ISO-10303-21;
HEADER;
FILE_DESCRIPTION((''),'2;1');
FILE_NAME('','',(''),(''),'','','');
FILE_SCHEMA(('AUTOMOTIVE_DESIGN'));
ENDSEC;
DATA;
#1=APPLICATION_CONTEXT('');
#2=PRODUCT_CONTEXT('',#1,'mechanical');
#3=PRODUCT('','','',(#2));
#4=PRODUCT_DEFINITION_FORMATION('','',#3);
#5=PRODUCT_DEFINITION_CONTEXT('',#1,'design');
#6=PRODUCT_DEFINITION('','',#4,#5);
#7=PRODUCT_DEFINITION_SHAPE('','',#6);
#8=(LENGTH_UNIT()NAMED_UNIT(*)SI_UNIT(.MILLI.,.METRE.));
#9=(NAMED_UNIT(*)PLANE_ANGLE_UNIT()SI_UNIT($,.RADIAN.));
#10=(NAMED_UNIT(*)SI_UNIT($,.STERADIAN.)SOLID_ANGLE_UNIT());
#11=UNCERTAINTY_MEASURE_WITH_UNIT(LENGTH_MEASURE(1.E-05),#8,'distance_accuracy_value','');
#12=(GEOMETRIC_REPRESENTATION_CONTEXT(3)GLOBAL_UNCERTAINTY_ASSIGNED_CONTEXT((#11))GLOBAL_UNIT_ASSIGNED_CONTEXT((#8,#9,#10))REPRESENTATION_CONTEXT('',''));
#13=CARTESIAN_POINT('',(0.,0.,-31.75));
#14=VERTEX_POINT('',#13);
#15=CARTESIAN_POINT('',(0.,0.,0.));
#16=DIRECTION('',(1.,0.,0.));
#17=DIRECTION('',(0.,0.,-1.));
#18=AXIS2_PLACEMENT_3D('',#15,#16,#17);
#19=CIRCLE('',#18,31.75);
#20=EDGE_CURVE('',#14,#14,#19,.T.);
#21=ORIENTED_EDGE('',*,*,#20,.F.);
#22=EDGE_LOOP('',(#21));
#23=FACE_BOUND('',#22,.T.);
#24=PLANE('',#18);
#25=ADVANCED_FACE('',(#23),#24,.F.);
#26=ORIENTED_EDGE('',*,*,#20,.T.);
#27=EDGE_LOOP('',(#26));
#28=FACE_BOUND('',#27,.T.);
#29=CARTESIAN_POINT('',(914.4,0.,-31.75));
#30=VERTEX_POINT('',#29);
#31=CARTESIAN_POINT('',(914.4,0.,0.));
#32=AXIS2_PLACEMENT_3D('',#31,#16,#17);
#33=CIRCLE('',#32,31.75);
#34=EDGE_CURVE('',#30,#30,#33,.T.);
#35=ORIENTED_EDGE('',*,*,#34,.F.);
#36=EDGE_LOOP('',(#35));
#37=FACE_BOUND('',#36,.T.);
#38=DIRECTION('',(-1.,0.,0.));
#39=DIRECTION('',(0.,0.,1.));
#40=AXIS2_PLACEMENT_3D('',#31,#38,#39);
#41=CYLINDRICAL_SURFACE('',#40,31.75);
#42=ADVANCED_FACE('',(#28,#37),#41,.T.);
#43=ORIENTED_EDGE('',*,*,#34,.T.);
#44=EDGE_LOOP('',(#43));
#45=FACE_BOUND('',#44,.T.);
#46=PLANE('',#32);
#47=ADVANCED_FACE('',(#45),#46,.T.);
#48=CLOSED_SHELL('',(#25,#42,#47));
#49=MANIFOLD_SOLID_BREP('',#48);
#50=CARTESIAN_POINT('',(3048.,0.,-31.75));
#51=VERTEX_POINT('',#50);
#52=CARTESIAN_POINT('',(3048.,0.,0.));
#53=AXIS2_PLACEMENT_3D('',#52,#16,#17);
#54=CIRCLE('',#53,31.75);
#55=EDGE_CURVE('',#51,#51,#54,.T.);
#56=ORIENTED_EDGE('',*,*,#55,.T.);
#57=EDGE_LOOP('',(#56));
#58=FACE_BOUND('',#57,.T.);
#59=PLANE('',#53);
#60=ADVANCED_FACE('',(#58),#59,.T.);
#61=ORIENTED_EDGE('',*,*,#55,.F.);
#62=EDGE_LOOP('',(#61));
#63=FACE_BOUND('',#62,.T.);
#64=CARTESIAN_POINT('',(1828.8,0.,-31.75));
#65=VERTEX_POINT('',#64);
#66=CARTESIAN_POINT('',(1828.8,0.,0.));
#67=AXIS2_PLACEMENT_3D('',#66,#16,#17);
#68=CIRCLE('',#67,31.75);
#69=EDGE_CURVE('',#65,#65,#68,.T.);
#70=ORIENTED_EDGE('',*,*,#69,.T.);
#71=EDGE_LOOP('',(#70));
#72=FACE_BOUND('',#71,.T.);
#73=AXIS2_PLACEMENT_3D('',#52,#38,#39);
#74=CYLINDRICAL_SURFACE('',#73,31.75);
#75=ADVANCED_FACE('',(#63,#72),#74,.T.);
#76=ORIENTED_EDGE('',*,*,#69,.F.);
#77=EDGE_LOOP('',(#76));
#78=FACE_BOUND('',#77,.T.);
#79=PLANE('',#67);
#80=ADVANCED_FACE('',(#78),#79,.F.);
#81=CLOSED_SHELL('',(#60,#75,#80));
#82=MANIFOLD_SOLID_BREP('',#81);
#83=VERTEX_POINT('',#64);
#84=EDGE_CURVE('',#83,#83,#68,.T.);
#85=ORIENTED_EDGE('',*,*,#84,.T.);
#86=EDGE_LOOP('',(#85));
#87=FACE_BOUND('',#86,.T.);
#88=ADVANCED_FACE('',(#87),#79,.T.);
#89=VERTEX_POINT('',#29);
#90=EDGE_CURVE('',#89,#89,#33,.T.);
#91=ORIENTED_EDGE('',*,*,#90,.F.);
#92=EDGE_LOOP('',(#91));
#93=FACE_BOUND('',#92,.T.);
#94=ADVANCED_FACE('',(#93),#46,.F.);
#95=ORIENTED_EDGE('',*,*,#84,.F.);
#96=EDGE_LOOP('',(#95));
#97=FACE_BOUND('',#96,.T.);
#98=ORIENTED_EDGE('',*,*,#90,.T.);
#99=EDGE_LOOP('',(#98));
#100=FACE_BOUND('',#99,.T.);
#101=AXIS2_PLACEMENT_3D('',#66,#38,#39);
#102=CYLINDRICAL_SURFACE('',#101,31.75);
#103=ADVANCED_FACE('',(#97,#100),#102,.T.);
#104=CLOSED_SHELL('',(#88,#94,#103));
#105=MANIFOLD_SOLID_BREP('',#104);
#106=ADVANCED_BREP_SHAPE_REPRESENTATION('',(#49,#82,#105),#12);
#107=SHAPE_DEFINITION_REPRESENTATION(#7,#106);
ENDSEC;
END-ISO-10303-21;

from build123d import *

# Parameters (mm, degrees)
SKETCH2_R           = 31.75
BOSS_EXTRUDE1_DEPTH = 914.4
BOSS_EXTRUDE2_START = 914.4
SKETCH2_2_R         = 31.75
BOSS_EXTRUDE2_DEPTH = 914.4
BOSS_EXTRUDE3_START = 1828.8
SKETCH2_3_R         = 31.75
BOSS_EXTRUDE3_DEPTH = 1219.2


with BuildPart() as part:
    # Sketch2 → Boss-Extrude1 (new body)
    with BuildSketch(Plane(origin=(0, 0, 0), x_dir=(0, 0, -1), z_dir=(1, 0, 0))):
        Circle(SKETCH2_R)
    extrude(amount=BOSS_EXTRUDE1_DEPTH)


with BuildPart() as body_2:
    # Sketch2<2> → Boss-Extrude2 (new body)
    with BuildSketch(Plane(origin=(0, 0, 0), x_dir=(0, 0, -1), z_dir=(1, 0, 0)).offset(BOSS_EXTRUDE2_START)):
        Circle(SKETCH2_2_R)
    extrude(amount=BOSS_EXTRUDE2_DEPTH)


with BuildPart() as body_3:
    # Sketch2<3> → Boss-Extrude3 (new body)
    with BuildSketch(Plane(origin=(0, 0, 0), x_dir=(0, 0, -1), z_dir=(1, 0, 0)).offset(BOSS_EXTRUDE3_START)):
        Circle(SKETCH2_3_R)
    extrude(amount=BOSS_EXTRUDE3_DEPTH)


solid = Compound([part.part, body_2.part, body_3.part])
